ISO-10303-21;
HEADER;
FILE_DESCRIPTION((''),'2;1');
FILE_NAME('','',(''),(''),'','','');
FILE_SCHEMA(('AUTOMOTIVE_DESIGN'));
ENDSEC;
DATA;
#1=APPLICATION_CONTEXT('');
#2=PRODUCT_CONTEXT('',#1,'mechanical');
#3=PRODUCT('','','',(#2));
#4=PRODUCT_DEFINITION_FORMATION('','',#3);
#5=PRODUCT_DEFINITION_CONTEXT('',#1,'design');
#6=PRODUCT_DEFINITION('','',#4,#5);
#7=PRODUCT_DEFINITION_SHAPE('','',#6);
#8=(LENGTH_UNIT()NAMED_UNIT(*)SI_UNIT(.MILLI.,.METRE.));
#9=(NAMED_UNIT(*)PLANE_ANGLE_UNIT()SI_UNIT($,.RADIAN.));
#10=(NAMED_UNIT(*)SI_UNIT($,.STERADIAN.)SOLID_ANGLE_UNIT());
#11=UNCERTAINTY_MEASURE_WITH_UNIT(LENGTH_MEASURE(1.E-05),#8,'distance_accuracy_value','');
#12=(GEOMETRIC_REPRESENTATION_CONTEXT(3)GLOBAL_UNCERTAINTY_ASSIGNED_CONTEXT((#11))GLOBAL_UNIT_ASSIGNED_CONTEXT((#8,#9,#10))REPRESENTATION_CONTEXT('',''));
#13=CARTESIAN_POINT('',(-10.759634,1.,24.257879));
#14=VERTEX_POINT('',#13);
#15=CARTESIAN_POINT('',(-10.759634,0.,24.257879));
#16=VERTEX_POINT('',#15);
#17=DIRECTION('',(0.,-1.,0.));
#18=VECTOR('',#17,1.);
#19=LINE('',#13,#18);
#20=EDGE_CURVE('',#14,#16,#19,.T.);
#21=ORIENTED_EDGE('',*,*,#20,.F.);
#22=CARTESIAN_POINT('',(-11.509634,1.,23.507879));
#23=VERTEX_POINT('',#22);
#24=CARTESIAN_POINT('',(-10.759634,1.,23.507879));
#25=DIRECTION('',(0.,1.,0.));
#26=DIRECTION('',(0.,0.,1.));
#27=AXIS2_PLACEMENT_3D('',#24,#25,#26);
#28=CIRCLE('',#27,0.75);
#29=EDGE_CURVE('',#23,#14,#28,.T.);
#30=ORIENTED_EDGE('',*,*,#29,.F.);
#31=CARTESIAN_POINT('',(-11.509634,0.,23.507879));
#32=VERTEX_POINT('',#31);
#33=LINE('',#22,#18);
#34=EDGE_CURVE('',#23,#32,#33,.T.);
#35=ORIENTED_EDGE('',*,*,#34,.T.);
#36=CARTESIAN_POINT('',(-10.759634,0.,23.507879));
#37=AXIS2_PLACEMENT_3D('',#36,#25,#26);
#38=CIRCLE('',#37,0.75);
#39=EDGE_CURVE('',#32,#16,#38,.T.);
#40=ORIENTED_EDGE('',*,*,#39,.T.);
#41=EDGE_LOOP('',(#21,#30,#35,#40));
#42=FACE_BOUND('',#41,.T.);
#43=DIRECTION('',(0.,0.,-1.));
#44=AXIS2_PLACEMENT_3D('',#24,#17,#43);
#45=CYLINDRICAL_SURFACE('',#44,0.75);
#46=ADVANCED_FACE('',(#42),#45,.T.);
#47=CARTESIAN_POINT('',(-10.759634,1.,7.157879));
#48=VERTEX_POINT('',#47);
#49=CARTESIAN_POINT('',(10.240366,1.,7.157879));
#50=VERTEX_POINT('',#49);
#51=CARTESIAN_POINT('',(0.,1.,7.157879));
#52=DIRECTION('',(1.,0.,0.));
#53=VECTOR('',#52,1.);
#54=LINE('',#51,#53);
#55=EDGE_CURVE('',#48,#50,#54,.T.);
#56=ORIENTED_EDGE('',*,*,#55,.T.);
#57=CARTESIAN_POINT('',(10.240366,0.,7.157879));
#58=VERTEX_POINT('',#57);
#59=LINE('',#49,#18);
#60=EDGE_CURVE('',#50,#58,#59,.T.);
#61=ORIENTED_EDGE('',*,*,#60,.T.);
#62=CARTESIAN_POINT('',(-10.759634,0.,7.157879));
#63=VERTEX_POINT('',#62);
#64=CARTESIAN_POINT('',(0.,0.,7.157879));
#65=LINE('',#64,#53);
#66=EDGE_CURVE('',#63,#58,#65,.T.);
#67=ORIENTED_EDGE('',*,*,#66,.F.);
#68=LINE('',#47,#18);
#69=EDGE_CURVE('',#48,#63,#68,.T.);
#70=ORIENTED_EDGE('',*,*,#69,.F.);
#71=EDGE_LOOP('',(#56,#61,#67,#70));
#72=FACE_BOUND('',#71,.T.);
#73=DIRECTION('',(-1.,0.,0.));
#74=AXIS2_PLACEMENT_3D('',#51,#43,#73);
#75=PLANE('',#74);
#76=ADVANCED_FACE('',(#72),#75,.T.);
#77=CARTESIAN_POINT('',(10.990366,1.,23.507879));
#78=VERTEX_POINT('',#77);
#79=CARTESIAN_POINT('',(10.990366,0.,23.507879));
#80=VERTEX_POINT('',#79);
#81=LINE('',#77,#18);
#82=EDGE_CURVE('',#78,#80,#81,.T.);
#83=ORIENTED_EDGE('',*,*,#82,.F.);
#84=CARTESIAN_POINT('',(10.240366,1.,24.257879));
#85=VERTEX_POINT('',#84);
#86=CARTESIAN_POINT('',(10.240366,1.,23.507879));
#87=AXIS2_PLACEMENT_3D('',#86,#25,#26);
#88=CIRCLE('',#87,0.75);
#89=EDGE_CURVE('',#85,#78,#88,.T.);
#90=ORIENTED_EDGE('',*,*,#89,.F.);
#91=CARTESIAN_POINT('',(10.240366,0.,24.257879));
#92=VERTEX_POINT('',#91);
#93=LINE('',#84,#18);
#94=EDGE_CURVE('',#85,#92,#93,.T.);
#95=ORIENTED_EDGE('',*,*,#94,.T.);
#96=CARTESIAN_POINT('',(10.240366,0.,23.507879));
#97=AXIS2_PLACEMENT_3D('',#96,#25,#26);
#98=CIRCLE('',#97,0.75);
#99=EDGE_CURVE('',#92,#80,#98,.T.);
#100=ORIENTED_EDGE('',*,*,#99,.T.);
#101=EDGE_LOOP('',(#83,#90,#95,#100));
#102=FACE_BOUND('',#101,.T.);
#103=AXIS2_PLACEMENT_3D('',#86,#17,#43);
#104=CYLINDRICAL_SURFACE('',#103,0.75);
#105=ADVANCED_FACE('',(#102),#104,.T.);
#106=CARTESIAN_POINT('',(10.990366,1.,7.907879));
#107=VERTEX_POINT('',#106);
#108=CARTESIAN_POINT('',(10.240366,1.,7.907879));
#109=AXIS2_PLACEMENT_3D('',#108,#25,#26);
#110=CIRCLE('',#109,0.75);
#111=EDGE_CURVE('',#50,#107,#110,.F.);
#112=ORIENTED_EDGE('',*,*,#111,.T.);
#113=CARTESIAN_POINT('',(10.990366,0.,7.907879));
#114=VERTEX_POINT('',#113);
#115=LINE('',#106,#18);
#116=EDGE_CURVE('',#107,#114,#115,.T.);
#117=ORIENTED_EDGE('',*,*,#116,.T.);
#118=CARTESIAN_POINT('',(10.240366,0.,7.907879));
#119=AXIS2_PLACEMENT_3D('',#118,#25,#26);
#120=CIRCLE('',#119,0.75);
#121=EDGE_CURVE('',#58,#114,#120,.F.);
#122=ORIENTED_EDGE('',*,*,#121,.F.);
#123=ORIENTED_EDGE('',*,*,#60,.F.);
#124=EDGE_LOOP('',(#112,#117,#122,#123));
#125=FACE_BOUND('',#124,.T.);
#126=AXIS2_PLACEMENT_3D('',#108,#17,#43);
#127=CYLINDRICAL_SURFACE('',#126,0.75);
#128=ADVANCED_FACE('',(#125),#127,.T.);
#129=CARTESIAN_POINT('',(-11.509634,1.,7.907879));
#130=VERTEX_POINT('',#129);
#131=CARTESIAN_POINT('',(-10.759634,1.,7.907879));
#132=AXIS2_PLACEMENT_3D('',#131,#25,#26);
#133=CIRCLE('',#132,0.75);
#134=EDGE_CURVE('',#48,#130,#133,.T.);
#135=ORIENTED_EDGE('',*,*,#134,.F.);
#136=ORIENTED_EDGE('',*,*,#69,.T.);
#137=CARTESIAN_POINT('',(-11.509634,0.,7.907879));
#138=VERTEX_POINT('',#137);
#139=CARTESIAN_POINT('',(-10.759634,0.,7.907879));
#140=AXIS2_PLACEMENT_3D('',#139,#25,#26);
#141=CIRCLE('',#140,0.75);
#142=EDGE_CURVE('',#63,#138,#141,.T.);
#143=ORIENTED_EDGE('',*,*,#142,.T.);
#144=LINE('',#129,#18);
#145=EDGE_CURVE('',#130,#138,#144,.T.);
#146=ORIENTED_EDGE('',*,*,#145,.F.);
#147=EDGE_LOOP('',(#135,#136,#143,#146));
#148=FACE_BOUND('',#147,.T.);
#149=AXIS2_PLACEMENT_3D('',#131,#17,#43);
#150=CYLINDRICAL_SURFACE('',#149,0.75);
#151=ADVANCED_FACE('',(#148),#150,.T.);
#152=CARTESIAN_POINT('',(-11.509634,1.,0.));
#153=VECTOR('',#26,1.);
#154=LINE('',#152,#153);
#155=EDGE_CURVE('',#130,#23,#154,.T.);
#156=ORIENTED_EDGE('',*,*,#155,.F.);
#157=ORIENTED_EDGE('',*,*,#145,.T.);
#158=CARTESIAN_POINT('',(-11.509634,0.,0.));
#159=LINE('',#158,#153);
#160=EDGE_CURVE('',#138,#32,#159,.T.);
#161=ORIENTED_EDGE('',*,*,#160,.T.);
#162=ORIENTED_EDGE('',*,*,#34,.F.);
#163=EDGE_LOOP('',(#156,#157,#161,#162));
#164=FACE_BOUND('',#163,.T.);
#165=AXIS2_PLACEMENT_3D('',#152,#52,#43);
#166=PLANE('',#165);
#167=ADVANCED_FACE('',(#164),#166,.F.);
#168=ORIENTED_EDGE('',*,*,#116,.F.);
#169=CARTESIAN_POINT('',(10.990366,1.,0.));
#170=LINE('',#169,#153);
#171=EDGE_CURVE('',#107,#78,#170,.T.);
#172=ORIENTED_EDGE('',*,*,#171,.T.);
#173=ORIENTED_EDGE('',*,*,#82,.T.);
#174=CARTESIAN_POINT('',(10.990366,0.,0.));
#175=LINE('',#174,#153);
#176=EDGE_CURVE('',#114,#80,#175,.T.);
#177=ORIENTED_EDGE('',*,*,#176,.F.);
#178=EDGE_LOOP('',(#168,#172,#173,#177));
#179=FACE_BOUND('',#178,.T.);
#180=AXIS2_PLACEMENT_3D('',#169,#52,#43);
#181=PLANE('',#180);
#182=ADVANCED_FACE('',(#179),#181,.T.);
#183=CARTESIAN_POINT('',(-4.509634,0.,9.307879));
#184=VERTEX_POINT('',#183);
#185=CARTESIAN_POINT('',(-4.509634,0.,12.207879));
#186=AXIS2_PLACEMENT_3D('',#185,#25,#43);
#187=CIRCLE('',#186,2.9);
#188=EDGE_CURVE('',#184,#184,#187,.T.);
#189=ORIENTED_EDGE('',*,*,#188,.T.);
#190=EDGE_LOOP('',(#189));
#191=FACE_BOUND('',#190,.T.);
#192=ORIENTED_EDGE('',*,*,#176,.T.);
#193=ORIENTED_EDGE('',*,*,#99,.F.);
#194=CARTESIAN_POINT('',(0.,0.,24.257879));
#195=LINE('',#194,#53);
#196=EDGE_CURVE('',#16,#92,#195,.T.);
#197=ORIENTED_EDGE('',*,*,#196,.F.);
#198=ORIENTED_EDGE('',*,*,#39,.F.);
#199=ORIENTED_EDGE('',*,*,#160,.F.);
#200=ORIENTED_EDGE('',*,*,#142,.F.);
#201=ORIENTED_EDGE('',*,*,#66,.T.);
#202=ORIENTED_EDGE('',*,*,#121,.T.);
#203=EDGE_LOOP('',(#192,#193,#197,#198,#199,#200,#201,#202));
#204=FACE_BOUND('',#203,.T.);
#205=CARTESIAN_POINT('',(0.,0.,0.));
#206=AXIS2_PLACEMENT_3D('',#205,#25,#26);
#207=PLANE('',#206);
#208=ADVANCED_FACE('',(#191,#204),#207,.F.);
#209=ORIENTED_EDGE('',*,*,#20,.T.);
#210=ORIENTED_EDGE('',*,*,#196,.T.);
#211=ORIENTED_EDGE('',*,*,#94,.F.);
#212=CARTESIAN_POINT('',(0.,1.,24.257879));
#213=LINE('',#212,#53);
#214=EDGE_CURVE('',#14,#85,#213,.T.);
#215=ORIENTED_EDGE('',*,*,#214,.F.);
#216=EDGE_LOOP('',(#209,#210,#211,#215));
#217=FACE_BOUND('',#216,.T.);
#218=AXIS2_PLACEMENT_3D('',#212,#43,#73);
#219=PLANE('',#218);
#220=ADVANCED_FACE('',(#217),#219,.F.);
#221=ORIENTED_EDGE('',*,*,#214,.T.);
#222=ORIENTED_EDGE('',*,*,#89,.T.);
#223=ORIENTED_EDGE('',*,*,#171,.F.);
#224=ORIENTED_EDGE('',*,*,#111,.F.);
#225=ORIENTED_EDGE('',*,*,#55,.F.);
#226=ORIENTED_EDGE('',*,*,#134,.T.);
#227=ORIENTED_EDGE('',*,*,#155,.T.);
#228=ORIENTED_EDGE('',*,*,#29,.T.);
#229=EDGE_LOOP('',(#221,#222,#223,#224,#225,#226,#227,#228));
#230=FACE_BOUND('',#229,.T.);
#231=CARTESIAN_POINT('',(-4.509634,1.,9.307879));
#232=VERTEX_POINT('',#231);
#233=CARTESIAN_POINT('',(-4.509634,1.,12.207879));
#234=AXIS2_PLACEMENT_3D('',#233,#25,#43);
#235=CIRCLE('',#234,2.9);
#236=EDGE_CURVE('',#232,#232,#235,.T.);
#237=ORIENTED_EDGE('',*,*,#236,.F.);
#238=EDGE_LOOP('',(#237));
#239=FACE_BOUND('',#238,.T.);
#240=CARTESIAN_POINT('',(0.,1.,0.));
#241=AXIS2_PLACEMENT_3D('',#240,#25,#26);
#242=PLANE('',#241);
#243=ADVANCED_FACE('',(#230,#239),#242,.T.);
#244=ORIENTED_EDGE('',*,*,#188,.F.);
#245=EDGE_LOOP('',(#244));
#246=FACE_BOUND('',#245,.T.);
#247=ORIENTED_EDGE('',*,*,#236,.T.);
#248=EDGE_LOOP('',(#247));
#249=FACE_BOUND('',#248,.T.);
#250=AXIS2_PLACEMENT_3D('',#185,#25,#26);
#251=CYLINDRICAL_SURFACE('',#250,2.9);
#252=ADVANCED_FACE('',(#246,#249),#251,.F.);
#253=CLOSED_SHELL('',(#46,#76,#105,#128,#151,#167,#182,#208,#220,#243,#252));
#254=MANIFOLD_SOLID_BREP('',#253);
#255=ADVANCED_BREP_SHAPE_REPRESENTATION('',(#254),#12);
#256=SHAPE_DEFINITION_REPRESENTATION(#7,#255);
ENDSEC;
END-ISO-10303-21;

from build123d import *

# Parameters (mm, degrees)
EXTRUDE_1_DEPTH     = 1
SKETCH_2_R          = 2.9
CUT_EXTRUDE_1_DEPTH = 1


with BuildPart() as part:
    # Эскиз1 → Бобышка-Вытянуть1 (new body)
    with BuildSketch(Plane(origin=(0, 0, 0), x_dir=(1, 0, 0), z_dir=(0, 1, 0))):
        with BuildLine():
            Line((-10.759634363, -7.157878984), (10.240365637, -7.157878984))
            ThreePointArc((10.240365637, -7.157878984), (10.770695723, -7.377548898), (10.990365637, -7.907878984))
            Line((10.990365637, -7.907878984), (10.990365637, -23.507878984))
            ThreePointArc((10.990365637, -23.507878984), (10.770695723, -24.03820907), (10.240365637, -24.257878984))
            Line((10.240365637, -24.257878984), (-10.759634363, -24.257878984))
            ThreePointArc((-10.759634363, -24.257878984), (-11.289964449, -24.03820907), (-11.509634363, -23.507878984))
            Line((-11.509634363, -23.507878984), (-11.509634363, -7.907878984))
            ThreePointArc((-11.509634363, -7.907878984), (-11.289964449, -7.377548898), (-10.759634363, -7.157878984))
        make_face()
    extrude(amount=EXTRUDE_1_DEPTH)

    # Эскиз2 → Вырез-Вытянуть1 (cut)
    with BuildSketch(Plane(origin=(0, 1, 0), x_dir=(1, 0, 0), z_dir=(0, 1, 0))):
        with Locations(Location((-4.509634363, -12.207878984, 0), (0, 0, 90))):
            Circle(SKETCH_2_R)
    extrude(amount=-CUT_EXTRUDE_1_DEPTH, mode=Mode.SUBTRACT)


solid = part.part
